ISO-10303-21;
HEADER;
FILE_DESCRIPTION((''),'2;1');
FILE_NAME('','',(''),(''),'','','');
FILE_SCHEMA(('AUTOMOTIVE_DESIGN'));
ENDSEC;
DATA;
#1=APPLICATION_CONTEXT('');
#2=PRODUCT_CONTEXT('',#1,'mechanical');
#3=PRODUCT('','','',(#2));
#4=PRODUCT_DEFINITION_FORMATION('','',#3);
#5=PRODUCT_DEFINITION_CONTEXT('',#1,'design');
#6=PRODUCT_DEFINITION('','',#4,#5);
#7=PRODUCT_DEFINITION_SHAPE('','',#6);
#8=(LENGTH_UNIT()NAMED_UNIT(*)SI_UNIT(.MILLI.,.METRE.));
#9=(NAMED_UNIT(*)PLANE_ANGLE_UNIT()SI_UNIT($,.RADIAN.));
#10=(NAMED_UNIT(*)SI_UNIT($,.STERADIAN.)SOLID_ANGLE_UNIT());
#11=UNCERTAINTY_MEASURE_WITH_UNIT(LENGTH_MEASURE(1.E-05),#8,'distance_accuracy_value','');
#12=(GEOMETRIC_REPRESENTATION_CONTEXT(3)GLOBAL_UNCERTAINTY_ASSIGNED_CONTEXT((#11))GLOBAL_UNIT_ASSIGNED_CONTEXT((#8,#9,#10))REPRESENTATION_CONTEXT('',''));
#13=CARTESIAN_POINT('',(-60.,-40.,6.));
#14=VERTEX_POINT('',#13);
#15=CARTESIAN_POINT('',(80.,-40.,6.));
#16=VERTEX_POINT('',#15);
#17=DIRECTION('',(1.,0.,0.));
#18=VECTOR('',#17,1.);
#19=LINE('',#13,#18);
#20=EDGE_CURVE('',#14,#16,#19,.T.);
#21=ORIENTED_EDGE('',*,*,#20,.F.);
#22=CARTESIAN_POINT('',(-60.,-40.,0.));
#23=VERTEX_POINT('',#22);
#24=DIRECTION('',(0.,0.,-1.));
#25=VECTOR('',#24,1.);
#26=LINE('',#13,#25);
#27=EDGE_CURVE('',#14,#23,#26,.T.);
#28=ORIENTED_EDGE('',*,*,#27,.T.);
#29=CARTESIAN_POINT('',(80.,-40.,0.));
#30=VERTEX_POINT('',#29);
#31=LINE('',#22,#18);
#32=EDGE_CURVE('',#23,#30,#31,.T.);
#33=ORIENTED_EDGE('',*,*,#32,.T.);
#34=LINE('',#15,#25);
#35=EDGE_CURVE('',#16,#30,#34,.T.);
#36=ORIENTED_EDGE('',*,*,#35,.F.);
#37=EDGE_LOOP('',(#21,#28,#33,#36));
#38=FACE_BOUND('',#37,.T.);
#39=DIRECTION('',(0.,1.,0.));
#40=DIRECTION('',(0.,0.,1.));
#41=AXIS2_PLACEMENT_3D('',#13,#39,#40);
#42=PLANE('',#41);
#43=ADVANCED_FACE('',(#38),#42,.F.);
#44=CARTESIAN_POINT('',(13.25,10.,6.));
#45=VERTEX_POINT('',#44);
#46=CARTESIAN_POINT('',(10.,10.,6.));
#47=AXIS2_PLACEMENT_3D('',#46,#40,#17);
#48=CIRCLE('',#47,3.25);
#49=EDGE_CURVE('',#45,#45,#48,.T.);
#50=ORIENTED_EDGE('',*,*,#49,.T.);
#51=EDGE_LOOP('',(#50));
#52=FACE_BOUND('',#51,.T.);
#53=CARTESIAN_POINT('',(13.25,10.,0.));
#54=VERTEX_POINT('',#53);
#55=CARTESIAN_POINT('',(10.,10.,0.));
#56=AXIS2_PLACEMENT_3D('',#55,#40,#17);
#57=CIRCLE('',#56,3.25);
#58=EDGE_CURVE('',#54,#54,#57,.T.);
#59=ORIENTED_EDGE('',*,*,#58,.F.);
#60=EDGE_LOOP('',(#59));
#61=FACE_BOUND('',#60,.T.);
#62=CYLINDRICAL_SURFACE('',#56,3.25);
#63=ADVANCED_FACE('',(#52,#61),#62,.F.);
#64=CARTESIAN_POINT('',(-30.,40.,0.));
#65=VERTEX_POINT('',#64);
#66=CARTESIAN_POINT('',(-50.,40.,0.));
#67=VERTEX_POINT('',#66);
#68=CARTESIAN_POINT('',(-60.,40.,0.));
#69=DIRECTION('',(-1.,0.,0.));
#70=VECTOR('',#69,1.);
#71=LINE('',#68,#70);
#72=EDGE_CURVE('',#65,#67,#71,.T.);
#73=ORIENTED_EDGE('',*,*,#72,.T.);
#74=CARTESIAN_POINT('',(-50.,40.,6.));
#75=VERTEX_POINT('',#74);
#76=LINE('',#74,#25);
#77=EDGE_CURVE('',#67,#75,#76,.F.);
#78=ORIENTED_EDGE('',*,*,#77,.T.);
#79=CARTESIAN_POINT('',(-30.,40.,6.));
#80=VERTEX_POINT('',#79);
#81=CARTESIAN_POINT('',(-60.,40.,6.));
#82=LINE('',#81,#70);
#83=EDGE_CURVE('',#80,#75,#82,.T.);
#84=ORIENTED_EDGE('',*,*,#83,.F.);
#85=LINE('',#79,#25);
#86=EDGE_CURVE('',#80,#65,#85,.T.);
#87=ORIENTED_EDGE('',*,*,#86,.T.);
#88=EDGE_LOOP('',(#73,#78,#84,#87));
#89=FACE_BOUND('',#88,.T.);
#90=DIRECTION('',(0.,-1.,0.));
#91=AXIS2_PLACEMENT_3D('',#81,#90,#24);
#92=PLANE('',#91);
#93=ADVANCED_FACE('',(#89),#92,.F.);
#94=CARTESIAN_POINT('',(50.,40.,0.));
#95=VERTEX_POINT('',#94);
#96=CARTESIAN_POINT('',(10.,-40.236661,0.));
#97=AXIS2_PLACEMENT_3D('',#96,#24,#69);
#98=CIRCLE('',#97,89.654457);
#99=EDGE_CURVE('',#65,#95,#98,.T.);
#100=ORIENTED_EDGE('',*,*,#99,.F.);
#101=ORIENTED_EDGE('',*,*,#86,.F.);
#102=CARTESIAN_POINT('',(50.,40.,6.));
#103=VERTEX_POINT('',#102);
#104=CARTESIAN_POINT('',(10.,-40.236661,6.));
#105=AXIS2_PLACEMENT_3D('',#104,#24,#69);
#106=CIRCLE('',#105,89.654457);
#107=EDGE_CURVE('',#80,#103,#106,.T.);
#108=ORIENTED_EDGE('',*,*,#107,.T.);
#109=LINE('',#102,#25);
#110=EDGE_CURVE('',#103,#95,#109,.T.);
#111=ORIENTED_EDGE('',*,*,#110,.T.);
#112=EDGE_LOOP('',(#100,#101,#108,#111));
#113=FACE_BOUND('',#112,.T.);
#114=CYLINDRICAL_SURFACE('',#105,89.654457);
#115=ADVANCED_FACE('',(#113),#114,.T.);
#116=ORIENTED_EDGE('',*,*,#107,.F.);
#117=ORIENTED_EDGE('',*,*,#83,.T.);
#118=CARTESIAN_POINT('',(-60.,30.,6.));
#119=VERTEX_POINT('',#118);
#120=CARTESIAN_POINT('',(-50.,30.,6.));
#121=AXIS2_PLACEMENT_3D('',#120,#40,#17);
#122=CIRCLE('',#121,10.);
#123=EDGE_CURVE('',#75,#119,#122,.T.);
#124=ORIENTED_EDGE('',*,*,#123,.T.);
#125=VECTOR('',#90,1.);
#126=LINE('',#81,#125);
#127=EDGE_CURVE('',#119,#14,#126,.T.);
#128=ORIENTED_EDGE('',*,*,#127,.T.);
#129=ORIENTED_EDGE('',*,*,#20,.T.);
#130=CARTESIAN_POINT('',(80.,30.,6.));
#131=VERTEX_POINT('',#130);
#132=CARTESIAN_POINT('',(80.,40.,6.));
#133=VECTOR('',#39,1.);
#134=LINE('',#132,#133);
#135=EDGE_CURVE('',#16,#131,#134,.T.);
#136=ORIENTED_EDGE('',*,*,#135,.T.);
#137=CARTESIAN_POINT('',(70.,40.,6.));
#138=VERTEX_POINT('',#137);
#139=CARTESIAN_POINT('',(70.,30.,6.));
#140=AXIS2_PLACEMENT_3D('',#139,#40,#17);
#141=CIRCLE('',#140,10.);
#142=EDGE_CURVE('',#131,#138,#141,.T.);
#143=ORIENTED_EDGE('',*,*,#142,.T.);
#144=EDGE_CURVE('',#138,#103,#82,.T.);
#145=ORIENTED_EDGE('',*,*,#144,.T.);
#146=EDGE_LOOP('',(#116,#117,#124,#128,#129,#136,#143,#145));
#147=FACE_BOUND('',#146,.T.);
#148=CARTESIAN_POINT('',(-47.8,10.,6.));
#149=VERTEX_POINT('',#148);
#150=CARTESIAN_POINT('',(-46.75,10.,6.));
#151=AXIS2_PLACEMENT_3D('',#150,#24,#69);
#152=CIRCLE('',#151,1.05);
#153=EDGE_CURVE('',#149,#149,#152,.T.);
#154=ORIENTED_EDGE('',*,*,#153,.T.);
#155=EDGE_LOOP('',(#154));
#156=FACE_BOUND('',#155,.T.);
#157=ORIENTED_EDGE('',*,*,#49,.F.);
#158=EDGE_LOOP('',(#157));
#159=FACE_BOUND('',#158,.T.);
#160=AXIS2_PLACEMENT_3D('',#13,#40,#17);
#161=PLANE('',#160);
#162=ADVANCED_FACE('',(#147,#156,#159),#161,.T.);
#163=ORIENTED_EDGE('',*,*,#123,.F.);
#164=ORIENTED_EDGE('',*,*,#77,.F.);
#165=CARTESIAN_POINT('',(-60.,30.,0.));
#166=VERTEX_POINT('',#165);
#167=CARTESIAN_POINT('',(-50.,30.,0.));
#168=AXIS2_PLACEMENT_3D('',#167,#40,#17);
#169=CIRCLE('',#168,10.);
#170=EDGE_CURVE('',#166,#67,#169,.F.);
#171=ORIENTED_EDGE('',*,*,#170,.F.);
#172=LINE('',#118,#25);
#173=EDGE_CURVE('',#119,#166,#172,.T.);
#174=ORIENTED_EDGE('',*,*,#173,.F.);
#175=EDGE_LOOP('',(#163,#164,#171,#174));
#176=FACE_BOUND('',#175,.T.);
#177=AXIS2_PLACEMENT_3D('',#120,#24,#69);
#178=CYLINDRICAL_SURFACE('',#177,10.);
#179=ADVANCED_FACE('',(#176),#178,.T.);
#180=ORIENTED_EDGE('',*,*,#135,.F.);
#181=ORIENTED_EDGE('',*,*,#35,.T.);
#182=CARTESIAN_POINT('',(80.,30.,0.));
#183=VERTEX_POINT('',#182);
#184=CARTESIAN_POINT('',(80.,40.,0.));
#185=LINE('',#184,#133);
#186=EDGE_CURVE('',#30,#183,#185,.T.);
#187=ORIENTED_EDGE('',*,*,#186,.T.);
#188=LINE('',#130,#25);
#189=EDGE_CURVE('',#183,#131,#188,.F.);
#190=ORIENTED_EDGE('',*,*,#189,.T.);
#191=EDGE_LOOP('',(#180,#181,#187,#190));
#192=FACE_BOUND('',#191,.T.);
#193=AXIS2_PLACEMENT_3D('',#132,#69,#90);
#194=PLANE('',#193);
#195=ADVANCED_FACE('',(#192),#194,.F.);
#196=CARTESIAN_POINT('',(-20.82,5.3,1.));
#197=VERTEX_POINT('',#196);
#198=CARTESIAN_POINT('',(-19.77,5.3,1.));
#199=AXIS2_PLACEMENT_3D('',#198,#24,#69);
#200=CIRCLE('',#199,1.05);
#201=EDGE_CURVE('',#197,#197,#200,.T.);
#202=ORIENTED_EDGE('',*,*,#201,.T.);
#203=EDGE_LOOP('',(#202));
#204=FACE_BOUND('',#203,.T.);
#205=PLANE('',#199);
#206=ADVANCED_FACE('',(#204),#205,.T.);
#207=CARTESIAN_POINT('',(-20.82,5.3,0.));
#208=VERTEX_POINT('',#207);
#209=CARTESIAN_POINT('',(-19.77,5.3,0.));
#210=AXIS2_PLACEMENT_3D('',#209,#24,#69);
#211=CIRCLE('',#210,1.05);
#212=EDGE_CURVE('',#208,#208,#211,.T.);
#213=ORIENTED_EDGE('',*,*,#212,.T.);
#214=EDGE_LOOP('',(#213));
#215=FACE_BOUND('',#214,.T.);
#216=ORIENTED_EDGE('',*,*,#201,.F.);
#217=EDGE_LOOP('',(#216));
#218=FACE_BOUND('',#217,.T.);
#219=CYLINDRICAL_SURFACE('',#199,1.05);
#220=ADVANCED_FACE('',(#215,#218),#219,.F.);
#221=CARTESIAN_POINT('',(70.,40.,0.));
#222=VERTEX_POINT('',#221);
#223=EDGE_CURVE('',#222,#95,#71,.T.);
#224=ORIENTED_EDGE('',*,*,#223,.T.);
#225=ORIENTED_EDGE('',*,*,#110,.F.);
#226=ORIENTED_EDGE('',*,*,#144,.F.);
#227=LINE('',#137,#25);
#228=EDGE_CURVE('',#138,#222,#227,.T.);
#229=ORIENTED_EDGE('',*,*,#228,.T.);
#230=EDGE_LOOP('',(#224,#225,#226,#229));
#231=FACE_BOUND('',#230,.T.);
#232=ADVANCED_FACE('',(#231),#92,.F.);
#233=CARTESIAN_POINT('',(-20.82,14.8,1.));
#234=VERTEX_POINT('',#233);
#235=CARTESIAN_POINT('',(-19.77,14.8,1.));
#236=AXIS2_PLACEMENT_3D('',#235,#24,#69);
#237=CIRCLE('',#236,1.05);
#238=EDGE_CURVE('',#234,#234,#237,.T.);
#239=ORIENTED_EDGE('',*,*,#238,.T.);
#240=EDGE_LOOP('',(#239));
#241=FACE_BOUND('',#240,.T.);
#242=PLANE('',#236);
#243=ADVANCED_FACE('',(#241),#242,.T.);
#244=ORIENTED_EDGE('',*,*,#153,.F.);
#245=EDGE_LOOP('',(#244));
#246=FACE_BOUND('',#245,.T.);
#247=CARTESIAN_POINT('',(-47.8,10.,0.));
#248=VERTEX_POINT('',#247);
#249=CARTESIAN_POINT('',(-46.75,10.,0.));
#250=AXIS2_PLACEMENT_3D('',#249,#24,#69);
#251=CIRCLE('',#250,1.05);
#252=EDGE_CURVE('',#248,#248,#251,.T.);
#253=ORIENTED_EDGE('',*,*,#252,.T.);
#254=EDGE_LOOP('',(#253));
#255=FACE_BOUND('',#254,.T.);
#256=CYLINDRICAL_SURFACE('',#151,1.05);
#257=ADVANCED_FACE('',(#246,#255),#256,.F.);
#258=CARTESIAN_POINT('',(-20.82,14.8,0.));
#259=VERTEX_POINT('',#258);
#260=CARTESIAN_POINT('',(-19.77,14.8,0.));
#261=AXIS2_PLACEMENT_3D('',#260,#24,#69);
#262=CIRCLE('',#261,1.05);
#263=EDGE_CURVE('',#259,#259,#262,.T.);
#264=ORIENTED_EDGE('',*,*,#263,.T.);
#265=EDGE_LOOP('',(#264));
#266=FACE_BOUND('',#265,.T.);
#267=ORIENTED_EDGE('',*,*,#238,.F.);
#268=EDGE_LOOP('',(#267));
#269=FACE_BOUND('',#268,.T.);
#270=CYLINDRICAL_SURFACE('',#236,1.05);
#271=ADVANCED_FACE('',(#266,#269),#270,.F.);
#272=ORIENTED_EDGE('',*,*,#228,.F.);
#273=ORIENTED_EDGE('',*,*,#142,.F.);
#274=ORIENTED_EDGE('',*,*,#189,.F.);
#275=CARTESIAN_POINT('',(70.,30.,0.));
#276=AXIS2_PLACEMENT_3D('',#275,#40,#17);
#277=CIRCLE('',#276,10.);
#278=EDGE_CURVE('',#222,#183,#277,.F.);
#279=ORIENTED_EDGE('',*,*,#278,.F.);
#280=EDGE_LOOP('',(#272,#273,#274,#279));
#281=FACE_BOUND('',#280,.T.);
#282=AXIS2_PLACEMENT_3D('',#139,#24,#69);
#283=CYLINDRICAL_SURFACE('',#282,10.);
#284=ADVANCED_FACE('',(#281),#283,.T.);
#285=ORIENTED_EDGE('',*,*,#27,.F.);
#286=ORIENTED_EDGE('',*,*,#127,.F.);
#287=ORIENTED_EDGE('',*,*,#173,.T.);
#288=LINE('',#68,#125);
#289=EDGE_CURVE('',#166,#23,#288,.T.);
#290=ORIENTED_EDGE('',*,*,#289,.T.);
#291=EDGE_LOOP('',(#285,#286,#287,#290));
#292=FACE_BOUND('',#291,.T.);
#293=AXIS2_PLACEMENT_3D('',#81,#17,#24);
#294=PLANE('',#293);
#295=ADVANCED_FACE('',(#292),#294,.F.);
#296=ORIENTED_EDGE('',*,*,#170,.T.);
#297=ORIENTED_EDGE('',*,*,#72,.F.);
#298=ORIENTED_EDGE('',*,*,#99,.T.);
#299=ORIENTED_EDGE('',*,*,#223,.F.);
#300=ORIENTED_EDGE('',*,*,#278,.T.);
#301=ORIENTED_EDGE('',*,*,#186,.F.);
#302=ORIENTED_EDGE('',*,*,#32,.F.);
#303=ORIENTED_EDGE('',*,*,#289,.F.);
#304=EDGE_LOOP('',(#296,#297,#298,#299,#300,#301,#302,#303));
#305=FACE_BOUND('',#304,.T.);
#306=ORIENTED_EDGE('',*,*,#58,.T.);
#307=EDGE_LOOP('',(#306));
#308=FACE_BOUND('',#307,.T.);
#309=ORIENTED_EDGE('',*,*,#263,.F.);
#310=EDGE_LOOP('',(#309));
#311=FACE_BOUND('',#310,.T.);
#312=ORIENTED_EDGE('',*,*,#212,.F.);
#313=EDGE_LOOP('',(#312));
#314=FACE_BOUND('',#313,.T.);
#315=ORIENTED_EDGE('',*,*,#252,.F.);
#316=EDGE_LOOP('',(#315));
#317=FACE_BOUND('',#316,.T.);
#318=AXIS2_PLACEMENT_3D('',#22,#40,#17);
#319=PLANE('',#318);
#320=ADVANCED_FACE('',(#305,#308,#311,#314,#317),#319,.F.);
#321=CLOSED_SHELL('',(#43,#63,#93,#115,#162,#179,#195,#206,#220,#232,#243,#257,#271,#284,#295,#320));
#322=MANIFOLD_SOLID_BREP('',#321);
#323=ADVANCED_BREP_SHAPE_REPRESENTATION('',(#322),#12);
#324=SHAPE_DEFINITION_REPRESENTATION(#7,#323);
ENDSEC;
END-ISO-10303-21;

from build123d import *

# Parameters (mm, degrees)
ESQUISSE1_W             = 140
ESQUISSE1_H             = 80
EXTRUSION1_DEPTH        = 6
CONG_1_R                = 10
ESQUISSE2_R             = 3.25
ENL_V_MAT_EXTRU_1_DEPTH = 90.643739324
ESQUISSE5_R             = 1.05
ENL_V_MAT_EXTRU_2_DEPTH = 1
EXTRUSION2_DEPTH        = 6
ESQUISSE7_R             = 1.05
ENL_V_MAT_EXTRU_3_DEPTH = 95.223768892


with BuildPart() as part:
    # Esquisse1 → Extrusion1 (new body)
    with BuildSketch(Plane.XY):
        with Locations((10, 0)):
            Rectangle(ESQUISSE1_W, ESQUISSE1_H)
    extrude(amount=EXTRUSION1_DEPTH)

    # Congé1
    cong_1_edges = [part.edges().sort_by_distance(p)[0] for p in [
        (-60, 40, 3),
        (80, 40, 3),
    ]]
    fillet(cong_1_edges, radius=CONG_1_R)

    # Esquisse2 → Enlèv. mat.-Extru.1 (cut, through all)
    with BuildSketch(Plane.XY.offset(6)):
        with Locations((10, 10)):
            Circle(ESQUISSE2_R)
    extrude(amount=-ENL_V_MAT_EXTRU_1_DEPTH, mode=Mode.SUBTRACT)

    # Esquisse5 → Enlèv. mat.-Extru.2 (cut)
    with BuildSketch(Plane(origin=(0, 0, 0), x_dir=(-1, 0, 0), z_dir=(0, 0, -1))):
        with Locations((19.77, 14.8)):
            Circle(ESQUISSE5_R)
        with Locations((19.77, 5.3)):
            Circle(ESQUISSE5_R)
    extrude(amount=-ENL_V_MAT_EXTRU_2_DEPTH, mode=Mode.SUBTRACT)

    # Esquisse6 → Extrusion2 (add)
    with BuildSketch(Plane(origin=(0, 0, 0), x_dir=(-1, 0, 0), z_dir=(0, 0, -1))):
        with BuildLine():
            Line((-50, 40), (30, 40))
            ThreePointArc((30, 40), (-10, 49.417796635), (-50, 40))
        make_face()
    extrude(amount=-EXTRUSION2_DEPTH)

    # Esquisse7 → Enlèv. mat.-Extru.3 (cut, through all)
    with BuildSketch(Plane(origin=(0, 0, 0), x_dir=(-1, 0, 0), z_dir=(0, 0, -1))):
        with Locations((46.75, 10)):
            Circle(ESQUISSE7_R)
    extrude(amount=-ENL_V_MAT_EXTRU_3_DEPTH, mode=Mode.SUBTRACT)


solid = part.part
